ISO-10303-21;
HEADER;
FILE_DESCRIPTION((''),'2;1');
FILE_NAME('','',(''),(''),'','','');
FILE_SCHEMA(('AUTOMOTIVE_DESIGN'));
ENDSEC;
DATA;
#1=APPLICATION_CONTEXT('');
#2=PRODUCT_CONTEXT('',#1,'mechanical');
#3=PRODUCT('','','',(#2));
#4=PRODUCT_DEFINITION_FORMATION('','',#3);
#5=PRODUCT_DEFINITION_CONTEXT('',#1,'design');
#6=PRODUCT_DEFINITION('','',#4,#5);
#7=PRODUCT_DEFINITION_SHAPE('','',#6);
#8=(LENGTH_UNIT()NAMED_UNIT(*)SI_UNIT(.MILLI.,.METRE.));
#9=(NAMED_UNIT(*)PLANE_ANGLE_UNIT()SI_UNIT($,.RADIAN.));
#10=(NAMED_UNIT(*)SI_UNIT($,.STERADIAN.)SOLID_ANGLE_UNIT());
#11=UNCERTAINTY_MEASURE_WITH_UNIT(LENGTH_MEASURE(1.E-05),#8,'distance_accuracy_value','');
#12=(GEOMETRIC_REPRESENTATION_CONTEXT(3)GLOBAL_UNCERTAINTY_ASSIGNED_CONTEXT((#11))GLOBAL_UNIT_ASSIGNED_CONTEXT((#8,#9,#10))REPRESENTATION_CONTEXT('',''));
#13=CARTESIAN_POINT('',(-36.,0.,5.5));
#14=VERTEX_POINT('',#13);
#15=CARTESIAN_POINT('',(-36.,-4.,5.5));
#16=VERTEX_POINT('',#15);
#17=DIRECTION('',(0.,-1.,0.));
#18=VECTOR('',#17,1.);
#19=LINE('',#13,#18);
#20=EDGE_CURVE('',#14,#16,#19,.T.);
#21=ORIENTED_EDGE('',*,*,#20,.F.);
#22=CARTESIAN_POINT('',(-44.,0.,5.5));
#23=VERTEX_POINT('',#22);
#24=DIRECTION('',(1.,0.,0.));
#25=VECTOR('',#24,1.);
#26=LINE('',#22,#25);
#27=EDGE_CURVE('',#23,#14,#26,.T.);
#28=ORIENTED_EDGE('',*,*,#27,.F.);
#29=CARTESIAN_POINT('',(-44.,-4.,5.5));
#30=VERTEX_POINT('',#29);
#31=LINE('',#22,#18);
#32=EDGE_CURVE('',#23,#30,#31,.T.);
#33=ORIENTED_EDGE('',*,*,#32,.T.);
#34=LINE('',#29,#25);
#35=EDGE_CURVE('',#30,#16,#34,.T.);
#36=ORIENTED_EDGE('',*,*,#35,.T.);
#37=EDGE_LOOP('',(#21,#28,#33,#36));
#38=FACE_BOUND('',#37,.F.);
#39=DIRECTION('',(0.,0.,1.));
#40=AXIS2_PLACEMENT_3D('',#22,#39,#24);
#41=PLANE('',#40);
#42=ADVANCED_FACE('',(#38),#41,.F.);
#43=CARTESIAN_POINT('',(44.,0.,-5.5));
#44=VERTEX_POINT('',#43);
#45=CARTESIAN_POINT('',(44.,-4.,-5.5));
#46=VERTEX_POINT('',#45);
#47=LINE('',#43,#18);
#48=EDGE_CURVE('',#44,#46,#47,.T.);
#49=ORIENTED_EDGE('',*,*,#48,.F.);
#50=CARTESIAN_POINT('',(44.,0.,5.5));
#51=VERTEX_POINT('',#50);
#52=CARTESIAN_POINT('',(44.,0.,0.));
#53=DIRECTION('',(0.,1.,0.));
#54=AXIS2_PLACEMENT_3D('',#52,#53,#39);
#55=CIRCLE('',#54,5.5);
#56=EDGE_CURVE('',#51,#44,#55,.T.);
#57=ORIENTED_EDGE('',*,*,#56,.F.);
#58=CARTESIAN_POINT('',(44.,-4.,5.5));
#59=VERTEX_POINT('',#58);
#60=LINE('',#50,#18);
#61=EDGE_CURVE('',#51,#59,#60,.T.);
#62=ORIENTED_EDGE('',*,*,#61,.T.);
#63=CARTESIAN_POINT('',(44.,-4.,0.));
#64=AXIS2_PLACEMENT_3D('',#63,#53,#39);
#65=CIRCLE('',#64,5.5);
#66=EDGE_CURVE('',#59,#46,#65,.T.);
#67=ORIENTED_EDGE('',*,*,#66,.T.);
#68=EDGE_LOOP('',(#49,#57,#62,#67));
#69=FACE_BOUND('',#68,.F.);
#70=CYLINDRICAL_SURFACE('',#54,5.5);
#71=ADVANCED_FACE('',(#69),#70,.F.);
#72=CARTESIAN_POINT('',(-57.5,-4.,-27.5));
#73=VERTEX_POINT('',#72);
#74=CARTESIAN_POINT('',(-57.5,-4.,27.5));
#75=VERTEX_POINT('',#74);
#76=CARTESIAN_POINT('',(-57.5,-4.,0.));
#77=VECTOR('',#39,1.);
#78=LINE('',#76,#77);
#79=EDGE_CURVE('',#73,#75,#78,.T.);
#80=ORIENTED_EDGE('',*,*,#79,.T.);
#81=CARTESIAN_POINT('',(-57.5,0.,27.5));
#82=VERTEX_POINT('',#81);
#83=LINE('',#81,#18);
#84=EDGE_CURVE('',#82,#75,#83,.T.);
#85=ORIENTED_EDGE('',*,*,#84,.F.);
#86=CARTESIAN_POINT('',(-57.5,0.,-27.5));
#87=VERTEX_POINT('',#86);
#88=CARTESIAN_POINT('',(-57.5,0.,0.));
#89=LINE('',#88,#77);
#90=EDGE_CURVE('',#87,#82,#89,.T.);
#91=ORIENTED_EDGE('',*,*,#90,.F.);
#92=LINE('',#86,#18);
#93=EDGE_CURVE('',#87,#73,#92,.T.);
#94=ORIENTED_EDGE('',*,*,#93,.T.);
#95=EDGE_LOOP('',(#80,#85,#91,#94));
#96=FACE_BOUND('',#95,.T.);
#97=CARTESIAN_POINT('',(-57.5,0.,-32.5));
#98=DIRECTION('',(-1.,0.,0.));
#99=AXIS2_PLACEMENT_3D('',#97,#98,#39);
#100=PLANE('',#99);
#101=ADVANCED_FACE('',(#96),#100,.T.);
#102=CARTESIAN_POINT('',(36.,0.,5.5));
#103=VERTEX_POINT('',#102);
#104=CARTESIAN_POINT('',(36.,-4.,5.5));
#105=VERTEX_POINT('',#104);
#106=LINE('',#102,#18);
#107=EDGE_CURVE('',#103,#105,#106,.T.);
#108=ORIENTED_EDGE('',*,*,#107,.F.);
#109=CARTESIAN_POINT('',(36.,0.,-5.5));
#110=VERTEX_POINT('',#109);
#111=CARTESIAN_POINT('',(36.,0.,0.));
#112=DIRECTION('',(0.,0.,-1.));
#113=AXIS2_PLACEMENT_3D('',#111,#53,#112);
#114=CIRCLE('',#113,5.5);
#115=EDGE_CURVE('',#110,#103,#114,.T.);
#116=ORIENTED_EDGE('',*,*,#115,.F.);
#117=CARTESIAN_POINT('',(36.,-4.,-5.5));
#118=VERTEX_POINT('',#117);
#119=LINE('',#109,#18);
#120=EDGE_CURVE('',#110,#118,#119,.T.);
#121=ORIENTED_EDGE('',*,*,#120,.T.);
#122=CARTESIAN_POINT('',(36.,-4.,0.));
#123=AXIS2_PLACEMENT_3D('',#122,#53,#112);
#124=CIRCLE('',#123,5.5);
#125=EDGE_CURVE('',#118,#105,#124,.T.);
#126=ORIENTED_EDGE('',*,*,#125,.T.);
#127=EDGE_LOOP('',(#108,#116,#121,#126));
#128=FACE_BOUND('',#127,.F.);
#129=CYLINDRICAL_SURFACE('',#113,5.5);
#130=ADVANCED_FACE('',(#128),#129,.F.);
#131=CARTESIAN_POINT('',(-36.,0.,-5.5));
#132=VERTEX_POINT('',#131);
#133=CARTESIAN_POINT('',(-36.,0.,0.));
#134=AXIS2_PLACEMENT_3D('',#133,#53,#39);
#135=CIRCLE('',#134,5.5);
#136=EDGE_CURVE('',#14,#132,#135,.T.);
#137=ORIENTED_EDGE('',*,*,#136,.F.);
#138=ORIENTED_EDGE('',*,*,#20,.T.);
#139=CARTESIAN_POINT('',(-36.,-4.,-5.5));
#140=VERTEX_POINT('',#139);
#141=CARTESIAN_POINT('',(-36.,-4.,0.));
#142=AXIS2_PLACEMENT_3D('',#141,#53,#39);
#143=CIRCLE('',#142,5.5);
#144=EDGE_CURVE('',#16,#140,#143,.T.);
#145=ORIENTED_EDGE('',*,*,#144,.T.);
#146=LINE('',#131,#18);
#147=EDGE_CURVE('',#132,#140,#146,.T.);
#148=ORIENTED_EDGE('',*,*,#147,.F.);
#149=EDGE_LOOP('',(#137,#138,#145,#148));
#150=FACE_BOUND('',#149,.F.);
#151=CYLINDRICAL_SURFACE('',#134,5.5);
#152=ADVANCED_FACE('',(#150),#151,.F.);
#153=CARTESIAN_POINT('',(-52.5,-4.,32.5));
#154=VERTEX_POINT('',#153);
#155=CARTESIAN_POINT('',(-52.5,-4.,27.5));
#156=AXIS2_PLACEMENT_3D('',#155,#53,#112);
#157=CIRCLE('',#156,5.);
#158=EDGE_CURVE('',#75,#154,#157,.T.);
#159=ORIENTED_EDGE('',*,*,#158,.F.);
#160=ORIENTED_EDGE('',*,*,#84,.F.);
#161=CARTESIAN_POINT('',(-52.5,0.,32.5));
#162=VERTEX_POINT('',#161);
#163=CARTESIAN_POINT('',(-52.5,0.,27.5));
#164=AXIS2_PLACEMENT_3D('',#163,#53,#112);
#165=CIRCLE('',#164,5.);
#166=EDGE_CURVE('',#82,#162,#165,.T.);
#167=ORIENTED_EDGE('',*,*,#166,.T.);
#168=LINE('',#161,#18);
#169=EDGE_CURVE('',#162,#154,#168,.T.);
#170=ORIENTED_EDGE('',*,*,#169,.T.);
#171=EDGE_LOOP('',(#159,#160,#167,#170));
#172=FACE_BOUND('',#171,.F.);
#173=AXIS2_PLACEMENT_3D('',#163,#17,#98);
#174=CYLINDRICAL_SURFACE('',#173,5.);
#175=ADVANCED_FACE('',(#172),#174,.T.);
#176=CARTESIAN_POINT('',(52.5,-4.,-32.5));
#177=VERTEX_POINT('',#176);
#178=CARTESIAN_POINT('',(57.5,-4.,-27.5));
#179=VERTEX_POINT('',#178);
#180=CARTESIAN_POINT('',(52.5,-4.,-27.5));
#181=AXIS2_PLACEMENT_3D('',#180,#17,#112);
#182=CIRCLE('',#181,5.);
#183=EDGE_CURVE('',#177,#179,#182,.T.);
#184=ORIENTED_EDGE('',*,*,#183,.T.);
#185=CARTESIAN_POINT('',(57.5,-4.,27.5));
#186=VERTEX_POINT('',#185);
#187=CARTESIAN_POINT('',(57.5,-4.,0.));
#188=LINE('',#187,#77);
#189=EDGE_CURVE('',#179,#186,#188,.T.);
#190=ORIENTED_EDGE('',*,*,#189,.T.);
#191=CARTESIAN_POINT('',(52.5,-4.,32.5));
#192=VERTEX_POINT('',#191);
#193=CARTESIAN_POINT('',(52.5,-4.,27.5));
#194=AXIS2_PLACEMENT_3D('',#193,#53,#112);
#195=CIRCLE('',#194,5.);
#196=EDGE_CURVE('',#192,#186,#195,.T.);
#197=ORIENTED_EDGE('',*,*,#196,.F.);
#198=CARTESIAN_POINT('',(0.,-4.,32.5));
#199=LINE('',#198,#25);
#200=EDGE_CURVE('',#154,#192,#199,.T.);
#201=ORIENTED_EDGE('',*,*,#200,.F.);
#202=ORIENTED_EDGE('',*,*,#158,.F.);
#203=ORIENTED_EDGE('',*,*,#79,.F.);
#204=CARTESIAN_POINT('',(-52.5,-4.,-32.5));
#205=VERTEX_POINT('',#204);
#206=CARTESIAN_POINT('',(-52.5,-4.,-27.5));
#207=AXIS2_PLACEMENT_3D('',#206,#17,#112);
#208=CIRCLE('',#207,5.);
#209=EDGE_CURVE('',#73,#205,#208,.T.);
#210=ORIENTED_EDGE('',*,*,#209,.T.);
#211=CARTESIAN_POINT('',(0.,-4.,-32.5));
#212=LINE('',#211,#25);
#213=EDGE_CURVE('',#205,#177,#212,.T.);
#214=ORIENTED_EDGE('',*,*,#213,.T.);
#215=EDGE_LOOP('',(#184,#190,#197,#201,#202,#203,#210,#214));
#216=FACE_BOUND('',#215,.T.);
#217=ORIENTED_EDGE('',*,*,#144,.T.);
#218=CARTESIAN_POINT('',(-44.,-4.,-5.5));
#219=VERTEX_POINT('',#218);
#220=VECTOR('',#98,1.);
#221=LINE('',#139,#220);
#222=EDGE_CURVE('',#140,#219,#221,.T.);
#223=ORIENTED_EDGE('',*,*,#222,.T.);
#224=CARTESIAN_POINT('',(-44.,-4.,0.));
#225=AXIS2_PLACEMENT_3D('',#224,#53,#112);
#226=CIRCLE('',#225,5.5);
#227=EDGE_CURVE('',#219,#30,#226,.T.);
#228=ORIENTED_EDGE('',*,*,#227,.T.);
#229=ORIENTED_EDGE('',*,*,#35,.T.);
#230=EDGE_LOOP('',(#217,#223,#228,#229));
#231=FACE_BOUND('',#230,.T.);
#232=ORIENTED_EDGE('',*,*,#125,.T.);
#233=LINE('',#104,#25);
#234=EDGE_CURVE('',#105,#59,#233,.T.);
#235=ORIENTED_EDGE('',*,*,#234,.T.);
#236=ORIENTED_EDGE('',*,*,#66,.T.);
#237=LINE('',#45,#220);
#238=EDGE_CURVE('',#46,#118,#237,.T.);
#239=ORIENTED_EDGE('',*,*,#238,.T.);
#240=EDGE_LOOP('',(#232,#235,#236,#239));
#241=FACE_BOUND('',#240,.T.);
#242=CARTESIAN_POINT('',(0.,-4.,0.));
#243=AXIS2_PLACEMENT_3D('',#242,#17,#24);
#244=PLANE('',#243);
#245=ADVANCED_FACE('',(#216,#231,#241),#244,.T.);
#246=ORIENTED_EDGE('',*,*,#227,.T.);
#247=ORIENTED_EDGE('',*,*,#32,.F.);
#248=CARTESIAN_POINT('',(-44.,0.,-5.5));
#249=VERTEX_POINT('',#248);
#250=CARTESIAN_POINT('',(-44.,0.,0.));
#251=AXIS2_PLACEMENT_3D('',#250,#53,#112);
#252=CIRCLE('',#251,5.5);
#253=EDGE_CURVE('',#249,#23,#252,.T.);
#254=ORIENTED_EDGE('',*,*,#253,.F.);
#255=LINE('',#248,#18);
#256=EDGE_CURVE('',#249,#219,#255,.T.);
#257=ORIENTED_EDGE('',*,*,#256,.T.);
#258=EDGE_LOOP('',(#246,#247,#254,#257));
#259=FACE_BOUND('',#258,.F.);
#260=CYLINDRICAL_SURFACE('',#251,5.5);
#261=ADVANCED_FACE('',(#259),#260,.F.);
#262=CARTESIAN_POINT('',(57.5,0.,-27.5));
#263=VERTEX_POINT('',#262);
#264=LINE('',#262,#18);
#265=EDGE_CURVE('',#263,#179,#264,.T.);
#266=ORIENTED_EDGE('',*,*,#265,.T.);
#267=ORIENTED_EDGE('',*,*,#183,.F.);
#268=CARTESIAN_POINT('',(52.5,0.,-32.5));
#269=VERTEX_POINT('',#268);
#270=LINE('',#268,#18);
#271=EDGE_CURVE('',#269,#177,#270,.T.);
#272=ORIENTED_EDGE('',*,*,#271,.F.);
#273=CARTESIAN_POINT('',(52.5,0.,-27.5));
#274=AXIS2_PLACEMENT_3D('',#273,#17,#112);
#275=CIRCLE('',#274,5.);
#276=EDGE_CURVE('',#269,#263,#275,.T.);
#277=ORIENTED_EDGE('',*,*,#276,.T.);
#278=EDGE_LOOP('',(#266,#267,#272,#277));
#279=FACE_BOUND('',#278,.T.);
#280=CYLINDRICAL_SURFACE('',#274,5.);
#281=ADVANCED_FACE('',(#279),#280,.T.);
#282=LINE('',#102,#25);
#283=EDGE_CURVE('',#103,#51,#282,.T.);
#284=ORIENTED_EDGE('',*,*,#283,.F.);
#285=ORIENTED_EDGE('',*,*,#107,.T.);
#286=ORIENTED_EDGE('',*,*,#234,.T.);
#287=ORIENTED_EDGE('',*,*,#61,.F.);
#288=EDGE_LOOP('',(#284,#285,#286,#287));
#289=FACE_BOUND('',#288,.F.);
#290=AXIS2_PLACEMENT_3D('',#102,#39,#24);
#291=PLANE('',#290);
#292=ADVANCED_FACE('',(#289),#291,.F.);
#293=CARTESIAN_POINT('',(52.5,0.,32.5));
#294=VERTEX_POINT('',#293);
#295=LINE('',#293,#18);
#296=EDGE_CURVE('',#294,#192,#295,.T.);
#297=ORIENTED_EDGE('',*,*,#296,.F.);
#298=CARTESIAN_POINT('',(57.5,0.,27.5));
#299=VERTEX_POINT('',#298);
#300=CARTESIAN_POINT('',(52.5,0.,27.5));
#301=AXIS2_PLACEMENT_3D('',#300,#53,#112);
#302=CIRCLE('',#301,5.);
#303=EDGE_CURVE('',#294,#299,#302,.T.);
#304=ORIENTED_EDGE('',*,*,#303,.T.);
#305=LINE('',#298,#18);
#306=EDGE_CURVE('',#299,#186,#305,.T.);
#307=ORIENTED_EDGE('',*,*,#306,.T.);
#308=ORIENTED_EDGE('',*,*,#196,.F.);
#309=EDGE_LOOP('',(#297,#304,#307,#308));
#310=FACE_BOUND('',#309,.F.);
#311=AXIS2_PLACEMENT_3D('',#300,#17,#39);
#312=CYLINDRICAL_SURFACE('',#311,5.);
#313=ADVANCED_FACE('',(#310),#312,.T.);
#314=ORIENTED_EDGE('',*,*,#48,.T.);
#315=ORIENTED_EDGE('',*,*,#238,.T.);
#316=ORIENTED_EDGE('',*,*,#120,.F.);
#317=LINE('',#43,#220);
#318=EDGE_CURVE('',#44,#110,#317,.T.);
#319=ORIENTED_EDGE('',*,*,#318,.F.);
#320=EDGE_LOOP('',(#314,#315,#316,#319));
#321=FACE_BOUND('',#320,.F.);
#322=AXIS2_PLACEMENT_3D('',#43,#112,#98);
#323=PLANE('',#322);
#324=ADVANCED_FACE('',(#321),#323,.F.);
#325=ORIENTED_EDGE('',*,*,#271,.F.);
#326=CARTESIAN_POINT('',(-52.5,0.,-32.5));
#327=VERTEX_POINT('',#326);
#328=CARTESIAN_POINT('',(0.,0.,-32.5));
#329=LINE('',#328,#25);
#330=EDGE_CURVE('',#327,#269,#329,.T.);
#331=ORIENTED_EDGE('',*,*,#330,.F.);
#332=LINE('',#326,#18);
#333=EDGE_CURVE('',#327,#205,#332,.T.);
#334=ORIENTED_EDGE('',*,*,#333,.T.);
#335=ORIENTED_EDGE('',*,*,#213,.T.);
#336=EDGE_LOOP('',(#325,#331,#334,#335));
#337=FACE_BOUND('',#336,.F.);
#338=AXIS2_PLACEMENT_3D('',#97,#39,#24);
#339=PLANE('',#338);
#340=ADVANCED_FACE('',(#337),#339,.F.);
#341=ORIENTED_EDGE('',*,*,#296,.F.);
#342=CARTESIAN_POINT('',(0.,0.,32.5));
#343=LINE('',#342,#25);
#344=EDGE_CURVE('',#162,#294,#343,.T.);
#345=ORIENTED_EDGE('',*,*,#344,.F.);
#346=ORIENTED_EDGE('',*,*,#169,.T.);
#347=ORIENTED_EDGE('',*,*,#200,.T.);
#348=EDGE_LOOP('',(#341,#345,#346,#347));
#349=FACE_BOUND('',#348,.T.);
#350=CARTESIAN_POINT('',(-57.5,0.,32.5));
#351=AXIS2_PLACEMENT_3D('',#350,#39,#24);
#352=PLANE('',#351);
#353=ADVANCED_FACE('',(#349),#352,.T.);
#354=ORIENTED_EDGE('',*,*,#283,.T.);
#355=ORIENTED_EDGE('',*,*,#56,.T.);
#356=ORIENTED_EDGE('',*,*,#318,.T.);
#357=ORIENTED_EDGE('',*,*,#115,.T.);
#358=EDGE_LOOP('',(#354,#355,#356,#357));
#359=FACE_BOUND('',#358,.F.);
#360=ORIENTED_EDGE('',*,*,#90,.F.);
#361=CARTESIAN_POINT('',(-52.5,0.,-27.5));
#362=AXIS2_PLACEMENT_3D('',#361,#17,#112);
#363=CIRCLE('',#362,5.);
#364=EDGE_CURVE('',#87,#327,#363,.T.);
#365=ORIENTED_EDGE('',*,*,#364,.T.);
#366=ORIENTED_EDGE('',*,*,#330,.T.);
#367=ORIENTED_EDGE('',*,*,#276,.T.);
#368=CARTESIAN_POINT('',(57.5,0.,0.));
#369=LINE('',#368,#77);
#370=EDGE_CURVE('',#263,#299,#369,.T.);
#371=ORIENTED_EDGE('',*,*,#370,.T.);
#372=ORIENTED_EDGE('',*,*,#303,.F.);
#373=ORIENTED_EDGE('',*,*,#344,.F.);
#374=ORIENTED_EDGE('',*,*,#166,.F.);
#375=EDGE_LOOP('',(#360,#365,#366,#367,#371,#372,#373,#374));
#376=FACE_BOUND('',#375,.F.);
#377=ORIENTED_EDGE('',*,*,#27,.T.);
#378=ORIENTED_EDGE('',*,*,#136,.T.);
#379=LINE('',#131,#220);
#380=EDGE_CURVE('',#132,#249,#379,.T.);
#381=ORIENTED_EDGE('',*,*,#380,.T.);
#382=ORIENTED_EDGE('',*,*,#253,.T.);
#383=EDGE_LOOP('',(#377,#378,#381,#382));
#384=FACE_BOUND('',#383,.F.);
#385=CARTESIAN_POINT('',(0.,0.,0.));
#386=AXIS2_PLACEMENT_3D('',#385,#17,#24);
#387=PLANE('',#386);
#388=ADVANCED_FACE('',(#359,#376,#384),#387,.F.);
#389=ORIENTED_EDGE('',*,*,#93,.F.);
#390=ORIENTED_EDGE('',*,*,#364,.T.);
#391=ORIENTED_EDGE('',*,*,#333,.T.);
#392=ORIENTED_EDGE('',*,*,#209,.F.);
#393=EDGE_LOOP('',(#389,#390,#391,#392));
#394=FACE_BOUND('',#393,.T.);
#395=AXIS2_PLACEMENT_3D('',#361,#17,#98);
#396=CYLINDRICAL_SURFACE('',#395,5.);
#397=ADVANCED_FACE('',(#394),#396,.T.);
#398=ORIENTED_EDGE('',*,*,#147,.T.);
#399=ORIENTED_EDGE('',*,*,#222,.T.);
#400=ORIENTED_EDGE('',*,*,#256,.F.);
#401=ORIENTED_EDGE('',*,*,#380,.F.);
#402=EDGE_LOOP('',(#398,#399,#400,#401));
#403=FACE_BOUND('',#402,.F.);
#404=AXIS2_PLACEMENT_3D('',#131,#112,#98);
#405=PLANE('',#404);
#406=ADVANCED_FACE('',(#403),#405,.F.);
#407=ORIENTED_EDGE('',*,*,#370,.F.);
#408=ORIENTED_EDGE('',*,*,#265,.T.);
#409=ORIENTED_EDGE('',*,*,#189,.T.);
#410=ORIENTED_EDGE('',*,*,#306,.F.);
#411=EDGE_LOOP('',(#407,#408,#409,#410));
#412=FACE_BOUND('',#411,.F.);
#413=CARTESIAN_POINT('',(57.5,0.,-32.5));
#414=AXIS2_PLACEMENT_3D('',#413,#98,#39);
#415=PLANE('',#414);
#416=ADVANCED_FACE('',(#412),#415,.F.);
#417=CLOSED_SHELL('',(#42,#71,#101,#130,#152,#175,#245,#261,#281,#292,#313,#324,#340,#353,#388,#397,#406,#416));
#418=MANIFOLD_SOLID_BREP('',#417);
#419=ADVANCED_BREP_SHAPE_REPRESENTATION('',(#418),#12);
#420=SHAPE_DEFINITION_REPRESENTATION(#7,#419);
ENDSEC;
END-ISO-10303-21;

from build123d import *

# Parameters (mm, degrees)
F0_W     = 115
F0_H     = 65
F1_DEPTH = 4
F2_R     = 5


with BuildPart() as f1:
    # F0 (on Front) → F1 (new body)
    with BuildSketch(Plane.XZ):
        Rectangle(F0_W, F0_H)
        with BuildLine():
            ThreePointArc((-36, 5.5), (-30.5, 0), (-36, -5.5))
            Line((-36, -5.5), (-44, -5.5))
            ThreePointArc((-44, -5.5), (-49.5, 0), (-44, 5.5))
            Line((-44, 5.5), (-36, 5.5))
        make_face(mode=Mode.SUBTRACT)
        with BuildLine():
            Line((44, -5.5), (36, -5.5))
            ThreePointArc((36, -5.5), (30.5, 0), (36, 5.5))
            Line((36, 5.5), (44, 5.5))
            ThreePointArc((44, 5.5), (49.5, 0), (44, -5.5))
        make_face(mode=Mode.SUBTRACT)
    extrude(amount=F1_DEPTH)

    # F2
    f2_edges = [f1.edges().sort_by_distance(p)[0] for p in [
        (-57.5, -2, -32.5),
        (-57.5, -2, 32.5),
        (57.5, -2, -32.5),
        (57.5, -2, 32.5),
    ]]
    fillet(f2_edges, radius=F2_R)


solid = f1.part
